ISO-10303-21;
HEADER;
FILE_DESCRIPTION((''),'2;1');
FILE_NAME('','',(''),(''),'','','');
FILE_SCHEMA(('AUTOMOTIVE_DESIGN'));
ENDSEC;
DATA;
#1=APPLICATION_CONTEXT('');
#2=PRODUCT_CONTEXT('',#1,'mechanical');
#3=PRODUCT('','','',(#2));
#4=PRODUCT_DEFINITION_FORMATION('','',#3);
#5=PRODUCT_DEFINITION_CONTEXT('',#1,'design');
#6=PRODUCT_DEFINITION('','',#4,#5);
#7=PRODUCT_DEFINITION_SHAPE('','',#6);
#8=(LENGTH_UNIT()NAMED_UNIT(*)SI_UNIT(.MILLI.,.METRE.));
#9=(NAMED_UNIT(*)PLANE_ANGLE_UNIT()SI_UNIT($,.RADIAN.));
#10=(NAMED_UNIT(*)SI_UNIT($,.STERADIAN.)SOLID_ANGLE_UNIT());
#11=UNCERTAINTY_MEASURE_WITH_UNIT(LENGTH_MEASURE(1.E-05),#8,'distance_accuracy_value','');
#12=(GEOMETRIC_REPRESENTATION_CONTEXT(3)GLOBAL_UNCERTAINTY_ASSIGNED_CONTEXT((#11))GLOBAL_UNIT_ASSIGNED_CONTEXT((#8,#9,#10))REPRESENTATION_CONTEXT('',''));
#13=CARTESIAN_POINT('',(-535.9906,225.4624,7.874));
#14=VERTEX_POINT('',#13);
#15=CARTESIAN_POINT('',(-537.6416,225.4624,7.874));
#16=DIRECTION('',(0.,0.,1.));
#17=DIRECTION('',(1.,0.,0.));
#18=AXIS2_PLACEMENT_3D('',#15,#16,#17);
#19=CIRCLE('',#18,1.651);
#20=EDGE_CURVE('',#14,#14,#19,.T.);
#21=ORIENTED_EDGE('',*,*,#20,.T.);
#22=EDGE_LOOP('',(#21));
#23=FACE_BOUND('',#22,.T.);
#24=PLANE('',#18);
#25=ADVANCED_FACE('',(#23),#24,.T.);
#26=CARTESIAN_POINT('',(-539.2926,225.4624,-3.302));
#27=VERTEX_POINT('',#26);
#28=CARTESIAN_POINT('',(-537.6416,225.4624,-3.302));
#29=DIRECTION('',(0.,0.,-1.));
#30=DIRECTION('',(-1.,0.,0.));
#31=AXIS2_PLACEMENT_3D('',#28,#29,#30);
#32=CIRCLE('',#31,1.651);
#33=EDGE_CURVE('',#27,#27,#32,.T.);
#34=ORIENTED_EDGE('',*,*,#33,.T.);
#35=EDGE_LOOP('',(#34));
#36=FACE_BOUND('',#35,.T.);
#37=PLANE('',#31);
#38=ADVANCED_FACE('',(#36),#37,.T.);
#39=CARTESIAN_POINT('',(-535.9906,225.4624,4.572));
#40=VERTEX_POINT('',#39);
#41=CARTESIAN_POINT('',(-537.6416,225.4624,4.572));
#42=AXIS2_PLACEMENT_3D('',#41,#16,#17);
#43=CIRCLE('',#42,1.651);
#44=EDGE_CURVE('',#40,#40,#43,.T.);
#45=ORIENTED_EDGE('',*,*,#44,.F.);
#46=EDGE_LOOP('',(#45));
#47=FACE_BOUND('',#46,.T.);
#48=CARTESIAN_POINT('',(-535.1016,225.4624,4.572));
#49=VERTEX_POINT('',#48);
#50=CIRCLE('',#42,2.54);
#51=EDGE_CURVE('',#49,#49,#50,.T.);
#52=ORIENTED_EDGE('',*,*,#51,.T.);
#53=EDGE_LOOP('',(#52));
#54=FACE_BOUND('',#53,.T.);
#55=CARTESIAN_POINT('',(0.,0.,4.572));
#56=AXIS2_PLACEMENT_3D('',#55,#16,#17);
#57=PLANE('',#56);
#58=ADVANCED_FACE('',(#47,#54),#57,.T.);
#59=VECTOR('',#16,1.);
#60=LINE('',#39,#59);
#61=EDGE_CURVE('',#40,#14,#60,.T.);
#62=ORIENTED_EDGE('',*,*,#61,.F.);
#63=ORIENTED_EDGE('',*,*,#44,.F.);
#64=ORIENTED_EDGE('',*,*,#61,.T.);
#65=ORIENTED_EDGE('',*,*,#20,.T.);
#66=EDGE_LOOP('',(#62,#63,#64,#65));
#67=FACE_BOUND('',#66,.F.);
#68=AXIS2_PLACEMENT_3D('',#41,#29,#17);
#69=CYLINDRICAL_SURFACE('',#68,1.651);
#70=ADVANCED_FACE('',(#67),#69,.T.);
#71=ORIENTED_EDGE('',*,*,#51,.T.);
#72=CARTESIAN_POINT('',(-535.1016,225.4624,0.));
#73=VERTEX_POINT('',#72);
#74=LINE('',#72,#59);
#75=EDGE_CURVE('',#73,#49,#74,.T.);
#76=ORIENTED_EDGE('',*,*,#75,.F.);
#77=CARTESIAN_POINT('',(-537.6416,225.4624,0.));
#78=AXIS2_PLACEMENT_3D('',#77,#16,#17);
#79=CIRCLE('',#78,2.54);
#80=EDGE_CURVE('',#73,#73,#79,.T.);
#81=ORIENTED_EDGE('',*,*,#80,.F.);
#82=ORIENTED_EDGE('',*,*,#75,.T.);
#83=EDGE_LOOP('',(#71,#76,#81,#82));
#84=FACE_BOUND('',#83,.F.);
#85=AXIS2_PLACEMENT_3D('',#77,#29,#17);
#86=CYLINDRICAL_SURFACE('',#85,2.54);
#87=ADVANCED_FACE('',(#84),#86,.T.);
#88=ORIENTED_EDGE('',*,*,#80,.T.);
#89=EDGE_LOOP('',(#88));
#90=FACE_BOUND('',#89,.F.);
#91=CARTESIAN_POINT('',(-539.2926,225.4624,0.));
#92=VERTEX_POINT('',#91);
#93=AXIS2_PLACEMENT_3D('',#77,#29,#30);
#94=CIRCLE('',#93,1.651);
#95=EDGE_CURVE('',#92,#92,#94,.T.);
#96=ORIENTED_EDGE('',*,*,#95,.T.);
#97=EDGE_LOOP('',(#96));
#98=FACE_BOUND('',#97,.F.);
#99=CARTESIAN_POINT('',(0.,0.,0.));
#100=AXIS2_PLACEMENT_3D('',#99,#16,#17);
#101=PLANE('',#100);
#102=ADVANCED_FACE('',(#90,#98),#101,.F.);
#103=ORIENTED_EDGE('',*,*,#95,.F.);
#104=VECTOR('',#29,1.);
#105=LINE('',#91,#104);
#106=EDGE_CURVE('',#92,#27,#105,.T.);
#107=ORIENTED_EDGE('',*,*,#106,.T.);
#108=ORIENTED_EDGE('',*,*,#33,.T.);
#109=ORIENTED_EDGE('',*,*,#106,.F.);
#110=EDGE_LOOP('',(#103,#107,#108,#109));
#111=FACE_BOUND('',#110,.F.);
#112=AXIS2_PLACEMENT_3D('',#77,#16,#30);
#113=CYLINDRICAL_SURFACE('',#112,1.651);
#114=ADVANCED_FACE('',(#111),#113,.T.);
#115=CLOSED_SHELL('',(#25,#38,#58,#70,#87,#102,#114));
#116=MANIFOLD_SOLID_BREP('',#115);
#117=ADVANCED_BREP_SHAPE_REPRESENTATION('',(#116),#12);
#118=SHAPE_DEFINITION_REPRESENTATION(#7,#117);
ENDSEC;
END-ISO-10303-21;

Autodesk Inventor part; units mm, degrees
ref_plane "YZ Plane" through (0, 0, 0) normal (1, 0, 0) x (0, 1, 0)
ref_plane "XZ Plane" through (0, 0, 0) normal (0, 1, 0) x (-1, 0, 0)
ref_plane "XY Plane" through (0, 0, 0) normal (0, 0, 1) x (1, 0, 0)
sketch "Sketch1" plane through (0, 0, 0) normal (0, 0, 1) x (1, 0, 0)
  circle A0 centre (-537.6416, 225.4624) radius 2.54
  point P0 (0, 0)
  dimension "d0" = 5.08
extrude "Extrusion1" add sketch "Sketch1" along normal blind 4.572
sketch "Sketch2" plane through (-537.6416, 225.4624, 4.572) normal (0, 0, 1) x (1, 0, 0)
  circle A0 centre (0, 0) radius 2.54 projected
  circle A1 centre (0, 0) radius 1.651
  point P0 (537.6416, -225.4624)
  dimension "d3" = 3.302
extrude "Extrusion2" add sketch "Sketch2" along normal blind 3.302 contours A1
sketch "Sketch3" plane through (-537.6416, 225.4624, 0) normal (0, 0, -1) x (-1, 0, 0)
  circle A0 centre (0, 0) radius 2.54 projected
  circle A1 centre (0, 0) radius 1.651
  point P0 (-537.6416, -225.4624)
  dimension "d6" = 3.302
extrude "Extrusion3" add sketch "Sketch3" along normal blind 3.302 contours A1
properties part number "chain_axel"
